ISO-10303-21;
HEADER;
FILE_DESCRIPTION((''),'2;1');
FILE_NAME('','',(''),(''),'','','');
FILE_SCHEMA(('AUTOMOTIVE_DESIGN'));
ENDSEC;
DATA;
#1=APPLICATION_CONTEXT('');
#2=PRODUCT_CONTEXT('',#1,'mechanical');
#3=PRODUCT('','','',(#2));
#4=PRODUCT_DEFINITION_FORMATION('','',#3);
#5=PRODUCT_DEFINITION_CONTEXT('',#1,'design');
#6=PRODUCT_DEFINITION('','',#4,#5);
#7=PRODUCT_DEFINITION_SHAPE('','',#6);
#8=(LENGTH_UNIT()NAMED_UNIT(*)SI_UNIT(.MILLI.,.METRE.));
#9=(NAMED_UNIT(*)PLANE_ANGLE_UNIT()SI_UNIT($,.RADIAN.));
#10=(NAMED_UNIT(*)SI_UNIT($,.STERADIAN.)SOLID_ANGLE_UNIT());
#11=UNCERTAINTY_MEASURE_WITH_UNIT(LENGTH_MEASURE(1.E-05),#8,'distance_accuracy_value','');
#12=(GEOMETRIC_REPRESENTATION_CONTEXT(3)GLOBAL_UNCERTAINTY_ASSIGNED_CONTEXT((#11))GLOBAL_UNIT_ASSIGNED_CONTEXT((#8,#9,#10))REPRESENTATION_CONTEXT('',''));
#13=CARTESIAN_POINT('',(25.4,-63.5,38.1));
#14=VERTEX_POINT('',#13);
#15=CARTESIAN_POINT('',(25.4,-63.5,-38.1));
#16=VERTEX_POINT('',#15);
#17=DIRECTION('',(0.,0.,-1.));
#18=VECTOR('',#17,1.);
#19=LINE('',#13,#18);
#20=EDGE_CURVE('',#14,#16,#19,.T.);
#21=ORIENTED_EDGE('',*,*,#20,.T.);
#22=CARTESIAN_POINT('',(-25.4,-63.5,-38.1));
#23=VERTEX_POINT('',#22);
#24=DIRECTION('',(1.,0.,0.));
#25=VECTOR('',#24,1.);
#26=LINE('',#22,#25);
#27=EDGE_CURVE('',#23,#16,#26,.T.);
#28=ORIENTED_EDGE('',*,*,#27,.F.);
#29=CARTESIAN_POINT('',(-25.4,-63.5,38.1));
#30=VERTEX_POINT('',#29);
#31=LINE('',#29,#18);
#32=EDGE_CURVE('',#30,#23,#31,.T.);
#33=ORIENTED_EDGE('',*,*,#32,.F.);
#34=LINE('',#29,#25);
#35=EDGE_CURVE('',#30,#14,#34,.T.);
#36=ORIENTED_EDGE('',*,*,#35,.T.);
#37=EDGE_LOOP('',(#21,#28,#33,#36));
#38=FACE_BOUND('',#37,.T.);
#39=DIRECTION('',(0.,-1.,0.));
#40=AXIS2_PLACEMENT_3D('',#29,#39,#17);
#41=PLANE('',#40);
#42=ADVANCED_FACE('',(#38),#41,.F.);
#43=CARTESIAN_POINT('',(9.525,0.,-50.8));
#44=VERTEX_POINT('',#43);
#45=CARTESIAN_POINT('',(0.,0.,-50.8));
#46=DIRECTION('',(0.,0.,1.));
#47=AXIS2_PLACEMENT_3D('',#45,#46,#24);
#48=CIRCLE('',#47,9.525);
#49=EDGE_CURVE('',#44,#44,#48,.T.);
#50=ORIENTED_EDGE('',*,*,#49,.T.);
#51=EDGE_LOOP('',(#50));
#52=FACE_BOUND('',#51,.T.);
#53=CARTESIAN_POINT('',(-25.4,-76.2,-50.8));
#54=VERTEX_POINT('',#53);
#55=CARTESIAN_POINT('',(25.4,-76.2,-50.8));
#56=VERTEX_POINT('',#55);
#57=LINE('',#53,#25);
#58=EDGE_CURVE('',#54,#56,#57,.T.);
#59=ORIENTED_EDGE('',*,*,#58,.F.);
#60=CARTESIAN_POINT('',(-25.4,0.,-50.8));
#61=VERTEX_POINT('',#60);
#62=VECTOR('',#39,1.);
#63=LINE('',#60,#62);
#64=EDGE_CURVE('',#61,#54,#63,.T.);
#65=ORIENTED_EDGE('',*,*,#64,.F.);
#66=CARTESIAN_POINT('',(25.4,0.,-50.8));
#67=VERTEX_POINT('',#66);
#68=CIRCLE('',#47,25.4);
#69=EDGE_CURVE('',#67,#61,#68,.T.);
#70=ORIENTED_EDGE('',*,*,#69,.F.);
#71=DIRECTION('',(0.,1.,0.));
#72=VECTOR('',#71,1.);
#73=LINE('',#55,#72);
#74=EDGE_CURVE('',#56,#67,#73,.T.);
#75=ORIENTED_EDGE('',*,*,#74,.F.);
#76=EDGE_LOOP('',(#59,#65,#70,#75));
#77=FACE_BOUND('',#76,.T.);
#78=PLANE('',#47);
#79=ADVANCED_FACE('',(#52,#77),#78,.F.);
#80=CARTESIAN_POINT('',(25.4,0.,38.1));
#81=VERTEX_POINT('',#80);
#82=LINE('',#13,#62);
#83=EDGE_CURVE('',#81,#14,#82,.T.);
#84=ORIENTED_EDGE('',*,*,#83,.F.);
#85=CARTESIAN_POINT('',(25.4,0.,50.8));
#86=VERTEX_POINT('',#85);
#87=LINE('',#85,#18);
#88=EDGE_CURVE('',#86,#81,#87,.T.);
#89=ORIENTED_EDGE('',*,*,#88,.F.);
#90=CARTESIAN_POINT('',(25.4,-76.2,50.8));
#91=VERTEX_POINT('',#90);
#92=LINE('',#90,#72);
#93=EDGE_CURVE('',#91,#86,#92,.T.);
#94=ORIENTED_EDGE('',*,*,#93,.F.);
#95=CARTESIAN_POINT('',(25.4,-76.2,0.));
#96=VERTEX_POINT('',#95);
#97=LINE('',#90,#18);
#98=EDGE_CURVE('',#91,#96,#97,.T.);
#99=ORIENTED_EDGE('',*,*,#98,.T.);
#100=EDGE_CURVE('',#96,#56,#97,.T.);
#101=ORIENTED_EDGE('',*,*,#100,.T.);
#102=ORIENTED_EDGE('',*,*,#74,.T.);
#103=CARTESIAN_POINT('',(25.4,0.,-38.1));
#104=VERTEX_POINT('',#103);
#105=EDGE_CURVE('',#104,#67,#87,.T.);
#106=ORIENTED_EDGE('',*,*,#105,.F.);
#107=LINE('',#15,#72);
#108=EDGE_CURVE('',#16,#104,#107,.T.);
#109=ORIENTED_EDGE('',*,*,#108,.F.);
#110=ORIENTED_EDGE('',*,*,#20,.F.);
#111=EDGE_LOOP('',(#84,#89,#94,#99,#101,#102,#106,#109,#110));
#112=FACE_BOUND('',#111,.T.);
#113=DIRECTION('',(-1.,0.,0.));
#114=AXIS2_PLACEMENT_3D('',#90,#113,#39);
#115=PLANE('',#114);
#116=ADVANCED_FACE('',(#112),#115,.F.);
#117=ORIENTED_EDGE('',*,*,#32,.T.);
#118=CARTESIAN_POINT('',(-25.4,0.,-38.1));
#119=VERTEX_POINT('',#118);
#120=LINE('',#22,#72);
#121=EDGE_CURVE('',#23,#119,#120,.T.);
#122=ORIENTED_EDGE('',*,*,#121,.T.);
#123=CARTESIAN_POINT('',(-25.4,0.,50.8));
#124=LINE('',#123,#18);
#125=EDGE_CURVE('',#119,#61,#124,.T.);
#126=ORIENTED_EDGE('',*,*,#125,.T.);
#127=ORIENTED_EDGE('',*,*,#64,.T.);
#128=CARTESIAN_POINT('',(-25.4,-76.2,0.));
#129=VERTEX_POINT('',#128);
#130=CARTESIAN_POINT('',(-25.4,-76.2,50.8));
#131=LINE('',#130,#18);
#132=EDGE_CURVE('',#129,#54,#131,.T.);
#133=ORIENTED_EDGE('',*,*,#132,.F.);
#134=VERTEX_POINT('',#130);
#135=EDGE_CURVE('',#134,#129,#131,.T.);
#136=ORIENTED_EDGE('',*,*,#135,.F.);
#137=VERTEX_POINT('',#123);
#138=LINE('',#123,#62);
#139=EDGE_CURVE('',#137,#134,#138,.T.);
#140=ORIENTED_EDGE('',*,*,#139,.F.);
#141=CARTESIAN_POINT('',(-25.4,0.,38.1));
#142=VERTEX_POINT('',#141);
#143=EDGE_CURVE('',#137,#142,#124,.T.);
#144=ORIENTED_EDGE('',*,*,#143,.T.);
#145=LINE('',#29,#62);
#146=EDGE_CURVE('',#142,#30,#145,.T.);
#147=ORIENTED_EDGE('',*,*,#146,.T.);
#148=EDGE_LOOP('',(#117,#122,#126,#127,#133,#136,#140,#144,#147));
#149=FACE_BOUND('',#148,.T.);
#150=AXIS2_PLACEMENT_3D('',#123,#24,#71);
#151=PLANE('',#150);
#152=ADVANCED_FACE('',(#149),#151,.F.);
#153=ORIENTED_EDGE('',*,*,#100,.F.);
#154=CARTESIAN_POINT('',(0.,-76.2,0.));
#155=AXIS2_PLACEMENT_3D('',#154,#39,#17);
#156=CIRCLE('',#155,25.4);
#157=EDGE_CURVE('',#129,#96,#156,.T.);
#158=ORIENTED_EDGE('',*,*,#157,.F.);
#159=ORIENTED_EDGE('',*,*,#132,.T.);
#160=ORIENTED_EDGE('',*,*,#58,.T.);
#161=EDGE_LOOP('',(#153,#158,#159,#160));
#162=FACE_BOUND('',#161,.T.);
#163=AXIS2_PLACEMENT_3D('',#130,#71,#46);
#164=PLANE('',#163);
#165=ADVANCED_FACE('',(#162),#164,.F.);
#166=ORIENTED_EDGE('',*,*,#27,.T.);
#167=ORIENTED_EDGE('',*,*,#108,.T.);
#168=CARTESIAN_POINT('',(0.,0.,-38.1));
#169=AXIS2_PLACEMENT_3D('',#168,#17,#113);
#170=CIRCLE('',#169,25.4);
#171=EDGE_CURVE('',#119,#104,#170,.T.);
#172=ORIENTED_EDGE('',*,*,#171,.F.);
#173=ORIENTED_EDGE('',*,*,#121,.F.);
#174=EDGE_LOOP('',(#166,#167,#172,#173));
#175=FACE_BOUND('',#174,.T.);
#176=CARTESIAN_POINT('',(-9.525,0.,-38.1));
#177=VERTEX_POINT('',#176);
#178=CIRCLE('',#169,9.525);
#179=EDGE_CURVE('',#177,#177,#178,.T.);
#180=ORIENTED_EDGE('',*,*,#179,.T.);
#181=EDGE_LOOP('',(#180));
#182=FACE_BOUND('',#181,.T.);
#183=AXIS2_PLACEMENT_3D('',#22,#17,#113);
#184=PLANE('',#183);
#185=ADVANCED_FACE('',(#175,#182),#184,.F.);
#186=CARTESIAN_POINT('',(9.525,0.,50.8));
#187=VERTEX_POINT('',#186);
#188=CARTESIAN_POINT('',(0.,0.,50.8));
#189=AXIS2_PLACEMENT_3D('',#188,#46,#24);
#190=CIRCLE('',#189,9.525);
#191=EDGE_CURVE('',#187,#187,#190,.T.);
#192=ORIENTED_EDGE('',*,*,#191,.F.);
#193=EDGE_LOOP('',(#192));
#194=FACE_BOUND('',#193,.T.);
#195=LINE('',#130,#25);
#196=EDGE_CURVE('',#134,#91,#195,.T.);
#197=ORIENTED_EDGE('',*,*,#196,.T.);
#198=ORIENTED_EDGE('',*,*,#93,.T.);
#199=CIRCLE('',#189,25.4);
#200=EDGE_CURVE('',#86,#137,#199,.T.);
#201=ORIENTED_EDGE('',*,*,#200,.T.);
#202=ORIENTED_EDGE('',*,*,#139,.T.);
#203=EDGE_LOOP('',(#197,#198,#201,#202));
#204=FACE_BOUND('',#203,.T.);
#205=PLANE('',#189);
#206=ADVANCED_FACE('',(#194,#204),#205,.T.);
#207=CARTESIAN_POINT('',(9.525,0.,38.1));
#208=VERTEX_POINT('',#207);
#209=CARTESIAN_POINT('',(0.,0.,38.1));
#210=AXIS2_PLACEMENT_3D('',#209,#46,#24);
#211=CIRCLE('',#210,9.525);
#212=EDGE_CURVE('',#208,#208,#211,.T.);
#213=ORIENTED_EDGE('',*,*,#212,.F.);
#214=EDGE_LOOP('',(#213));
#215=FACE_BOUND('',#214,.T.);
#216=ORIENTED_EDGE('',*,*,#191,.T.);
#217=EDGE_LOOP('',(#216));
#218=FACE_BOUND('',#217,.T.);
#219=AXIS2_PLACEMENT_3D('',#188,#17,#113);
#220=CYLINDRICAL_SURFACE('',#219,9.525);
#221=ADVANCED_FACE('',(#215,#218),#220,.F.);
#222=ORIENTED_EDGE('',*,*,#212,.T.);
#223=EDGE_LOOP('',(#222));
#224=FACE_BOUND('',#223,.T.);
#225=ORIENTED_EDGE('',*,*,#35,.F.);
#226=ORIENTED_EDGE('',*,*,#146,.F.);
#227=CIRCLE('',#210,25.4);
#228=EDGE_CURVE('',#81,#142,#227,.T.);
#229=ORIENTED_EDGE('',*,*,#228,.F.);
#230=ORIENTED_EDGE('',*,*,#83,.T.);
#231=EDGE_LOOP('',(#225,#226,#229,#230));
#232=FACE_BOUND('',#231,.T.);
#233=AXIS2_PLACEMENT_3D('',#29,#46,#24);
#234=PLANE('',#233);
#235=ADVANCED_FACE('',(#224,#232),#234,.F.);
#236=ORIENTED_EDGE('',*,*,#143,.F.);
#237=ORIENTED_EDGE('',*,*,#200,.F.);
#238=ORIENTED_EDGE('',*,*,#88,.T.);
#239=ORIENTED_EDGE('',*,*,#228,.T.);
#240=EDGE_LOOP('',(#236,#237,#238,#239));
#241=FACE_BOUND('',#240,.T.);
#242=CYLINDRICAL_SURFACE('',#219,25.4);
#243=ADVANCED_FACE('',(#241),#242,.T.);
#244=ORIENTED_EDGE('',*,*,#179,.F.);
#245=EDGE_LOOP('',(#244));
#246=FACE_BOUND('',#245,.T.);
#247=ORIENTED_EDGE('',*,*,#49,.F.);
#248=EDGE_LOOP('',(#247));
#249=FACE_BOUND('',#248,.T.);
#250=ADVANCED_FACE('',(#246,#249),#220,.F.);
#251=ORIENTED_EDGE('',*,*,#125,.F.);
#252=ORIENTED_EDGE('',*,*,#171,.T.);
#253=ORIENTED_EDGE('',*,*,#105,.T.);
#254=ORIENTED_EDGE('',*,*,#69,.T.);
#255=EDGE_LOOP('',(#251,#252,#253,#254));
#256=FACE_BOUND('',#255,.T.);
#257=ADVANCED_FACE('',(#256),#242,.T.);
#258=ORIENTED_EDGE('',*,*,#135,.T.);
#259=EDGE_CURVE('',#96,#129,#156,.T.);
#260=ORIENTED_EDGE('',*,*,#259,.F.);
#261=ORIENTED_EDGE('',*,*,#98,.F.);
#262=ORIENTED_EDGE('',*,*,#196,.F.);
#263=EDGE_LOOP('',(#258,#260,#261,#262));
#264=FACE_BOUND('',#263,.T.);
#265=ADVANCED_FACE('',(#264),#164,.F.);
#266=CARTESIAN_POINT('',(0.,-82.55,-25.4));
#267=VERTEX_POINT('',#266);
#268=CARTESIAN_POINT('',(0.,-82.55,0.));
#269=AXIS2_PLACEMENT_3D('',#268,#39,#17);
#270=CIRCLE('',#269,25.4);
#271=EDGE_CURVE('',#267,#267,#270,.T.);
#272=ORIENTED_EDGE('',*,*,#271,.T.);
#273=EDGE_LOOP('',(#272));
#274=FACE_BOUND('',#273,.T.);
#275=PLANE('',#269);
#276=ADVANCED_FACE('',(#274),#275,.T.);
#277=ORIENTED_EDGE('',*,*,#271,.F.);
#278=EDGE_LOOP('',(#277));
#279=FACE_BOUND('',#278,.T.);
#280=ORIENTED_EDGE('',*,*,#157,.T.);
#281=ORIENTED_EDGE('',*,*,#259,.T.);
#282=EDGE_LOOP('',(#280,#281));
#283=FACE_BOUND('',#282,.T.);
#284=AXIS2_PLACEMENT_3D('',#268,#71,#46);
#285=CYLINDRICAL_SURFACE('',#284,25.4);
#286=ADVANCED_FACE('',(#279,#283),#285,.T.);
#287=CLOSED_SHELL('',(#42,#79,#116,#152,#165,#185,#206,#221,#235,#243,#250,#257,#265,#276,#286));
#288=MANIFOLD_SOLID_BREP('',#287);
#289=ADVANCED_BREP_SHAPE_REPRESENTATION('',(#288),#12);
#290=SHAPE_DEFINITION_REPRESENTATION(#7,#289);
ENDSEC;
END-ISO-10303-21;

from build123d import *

# Parameters (mm, degrees)
SKETCH1_R               = 9.525
BOSS_EXTRUDE1_DEPTH     = 50.8
SKETCH2_W               = 76.2
SKETCH2_H               = 88.9
CUT_EXTRUDE1_DEPTH      = 26.4
CUT_EXTRUDE1_DEPTH_BACK = 26.4
SKETCH3_R               = 25.4
BOSS_EXTRUDE2_DEPTH     = 6.35


with BuildPart() as part:
    # Sketch1 → Boss-Extrude1 (new body, symmetric)
    with BuildSketch(Plane.XY):
        with BuildLine():
            Line((-25.4, 0), (-25.4, -76.2))
            Line((-25.4, -76.2), (25.4, -76.2))
            Line((25.4, -76.2), (25.4, 0))
            ThreePointArc((25.4, 0), (0, 25.4), (-25.4, 0))
        make_face()
        Circle(SKETCH1_R, mode=Mode.SUBTRACT)
    extrude(amount=BOSS_EXTRUDE1_DEPTH, both=True)

    # Sketch2 → Cut-Extrude1 (cut, two sides)
    with BuildSketch(Plane(origin=(0, 0, 0), x_dir=(0, 0, -1), z_dir=(1, 0, 0))) as cut_extrude1_sk:
        with Locations((0, -19.05)):
            Rectangle(SKETCH2_W, SKETCH2_H)
    extrude(amount=CUT_EXTRUDE1_DEPTH, mode=Mode.SUBTRACT)
    extrude(cut_extrude1_sk.sketch, amount=-CUT_EXTRUDE1_DEPTH_BACK, mode=Mode.SUBTRACT)

    # Sketch3 → Boss-Extrude2 (add)
    with BuildSketch(Plane.XZ.offset(76.2)):
        Circle(SKETCH3_R)
    extrude(amount=BOSS_EXTRUDE2_DEPTH)


solid = part.part
